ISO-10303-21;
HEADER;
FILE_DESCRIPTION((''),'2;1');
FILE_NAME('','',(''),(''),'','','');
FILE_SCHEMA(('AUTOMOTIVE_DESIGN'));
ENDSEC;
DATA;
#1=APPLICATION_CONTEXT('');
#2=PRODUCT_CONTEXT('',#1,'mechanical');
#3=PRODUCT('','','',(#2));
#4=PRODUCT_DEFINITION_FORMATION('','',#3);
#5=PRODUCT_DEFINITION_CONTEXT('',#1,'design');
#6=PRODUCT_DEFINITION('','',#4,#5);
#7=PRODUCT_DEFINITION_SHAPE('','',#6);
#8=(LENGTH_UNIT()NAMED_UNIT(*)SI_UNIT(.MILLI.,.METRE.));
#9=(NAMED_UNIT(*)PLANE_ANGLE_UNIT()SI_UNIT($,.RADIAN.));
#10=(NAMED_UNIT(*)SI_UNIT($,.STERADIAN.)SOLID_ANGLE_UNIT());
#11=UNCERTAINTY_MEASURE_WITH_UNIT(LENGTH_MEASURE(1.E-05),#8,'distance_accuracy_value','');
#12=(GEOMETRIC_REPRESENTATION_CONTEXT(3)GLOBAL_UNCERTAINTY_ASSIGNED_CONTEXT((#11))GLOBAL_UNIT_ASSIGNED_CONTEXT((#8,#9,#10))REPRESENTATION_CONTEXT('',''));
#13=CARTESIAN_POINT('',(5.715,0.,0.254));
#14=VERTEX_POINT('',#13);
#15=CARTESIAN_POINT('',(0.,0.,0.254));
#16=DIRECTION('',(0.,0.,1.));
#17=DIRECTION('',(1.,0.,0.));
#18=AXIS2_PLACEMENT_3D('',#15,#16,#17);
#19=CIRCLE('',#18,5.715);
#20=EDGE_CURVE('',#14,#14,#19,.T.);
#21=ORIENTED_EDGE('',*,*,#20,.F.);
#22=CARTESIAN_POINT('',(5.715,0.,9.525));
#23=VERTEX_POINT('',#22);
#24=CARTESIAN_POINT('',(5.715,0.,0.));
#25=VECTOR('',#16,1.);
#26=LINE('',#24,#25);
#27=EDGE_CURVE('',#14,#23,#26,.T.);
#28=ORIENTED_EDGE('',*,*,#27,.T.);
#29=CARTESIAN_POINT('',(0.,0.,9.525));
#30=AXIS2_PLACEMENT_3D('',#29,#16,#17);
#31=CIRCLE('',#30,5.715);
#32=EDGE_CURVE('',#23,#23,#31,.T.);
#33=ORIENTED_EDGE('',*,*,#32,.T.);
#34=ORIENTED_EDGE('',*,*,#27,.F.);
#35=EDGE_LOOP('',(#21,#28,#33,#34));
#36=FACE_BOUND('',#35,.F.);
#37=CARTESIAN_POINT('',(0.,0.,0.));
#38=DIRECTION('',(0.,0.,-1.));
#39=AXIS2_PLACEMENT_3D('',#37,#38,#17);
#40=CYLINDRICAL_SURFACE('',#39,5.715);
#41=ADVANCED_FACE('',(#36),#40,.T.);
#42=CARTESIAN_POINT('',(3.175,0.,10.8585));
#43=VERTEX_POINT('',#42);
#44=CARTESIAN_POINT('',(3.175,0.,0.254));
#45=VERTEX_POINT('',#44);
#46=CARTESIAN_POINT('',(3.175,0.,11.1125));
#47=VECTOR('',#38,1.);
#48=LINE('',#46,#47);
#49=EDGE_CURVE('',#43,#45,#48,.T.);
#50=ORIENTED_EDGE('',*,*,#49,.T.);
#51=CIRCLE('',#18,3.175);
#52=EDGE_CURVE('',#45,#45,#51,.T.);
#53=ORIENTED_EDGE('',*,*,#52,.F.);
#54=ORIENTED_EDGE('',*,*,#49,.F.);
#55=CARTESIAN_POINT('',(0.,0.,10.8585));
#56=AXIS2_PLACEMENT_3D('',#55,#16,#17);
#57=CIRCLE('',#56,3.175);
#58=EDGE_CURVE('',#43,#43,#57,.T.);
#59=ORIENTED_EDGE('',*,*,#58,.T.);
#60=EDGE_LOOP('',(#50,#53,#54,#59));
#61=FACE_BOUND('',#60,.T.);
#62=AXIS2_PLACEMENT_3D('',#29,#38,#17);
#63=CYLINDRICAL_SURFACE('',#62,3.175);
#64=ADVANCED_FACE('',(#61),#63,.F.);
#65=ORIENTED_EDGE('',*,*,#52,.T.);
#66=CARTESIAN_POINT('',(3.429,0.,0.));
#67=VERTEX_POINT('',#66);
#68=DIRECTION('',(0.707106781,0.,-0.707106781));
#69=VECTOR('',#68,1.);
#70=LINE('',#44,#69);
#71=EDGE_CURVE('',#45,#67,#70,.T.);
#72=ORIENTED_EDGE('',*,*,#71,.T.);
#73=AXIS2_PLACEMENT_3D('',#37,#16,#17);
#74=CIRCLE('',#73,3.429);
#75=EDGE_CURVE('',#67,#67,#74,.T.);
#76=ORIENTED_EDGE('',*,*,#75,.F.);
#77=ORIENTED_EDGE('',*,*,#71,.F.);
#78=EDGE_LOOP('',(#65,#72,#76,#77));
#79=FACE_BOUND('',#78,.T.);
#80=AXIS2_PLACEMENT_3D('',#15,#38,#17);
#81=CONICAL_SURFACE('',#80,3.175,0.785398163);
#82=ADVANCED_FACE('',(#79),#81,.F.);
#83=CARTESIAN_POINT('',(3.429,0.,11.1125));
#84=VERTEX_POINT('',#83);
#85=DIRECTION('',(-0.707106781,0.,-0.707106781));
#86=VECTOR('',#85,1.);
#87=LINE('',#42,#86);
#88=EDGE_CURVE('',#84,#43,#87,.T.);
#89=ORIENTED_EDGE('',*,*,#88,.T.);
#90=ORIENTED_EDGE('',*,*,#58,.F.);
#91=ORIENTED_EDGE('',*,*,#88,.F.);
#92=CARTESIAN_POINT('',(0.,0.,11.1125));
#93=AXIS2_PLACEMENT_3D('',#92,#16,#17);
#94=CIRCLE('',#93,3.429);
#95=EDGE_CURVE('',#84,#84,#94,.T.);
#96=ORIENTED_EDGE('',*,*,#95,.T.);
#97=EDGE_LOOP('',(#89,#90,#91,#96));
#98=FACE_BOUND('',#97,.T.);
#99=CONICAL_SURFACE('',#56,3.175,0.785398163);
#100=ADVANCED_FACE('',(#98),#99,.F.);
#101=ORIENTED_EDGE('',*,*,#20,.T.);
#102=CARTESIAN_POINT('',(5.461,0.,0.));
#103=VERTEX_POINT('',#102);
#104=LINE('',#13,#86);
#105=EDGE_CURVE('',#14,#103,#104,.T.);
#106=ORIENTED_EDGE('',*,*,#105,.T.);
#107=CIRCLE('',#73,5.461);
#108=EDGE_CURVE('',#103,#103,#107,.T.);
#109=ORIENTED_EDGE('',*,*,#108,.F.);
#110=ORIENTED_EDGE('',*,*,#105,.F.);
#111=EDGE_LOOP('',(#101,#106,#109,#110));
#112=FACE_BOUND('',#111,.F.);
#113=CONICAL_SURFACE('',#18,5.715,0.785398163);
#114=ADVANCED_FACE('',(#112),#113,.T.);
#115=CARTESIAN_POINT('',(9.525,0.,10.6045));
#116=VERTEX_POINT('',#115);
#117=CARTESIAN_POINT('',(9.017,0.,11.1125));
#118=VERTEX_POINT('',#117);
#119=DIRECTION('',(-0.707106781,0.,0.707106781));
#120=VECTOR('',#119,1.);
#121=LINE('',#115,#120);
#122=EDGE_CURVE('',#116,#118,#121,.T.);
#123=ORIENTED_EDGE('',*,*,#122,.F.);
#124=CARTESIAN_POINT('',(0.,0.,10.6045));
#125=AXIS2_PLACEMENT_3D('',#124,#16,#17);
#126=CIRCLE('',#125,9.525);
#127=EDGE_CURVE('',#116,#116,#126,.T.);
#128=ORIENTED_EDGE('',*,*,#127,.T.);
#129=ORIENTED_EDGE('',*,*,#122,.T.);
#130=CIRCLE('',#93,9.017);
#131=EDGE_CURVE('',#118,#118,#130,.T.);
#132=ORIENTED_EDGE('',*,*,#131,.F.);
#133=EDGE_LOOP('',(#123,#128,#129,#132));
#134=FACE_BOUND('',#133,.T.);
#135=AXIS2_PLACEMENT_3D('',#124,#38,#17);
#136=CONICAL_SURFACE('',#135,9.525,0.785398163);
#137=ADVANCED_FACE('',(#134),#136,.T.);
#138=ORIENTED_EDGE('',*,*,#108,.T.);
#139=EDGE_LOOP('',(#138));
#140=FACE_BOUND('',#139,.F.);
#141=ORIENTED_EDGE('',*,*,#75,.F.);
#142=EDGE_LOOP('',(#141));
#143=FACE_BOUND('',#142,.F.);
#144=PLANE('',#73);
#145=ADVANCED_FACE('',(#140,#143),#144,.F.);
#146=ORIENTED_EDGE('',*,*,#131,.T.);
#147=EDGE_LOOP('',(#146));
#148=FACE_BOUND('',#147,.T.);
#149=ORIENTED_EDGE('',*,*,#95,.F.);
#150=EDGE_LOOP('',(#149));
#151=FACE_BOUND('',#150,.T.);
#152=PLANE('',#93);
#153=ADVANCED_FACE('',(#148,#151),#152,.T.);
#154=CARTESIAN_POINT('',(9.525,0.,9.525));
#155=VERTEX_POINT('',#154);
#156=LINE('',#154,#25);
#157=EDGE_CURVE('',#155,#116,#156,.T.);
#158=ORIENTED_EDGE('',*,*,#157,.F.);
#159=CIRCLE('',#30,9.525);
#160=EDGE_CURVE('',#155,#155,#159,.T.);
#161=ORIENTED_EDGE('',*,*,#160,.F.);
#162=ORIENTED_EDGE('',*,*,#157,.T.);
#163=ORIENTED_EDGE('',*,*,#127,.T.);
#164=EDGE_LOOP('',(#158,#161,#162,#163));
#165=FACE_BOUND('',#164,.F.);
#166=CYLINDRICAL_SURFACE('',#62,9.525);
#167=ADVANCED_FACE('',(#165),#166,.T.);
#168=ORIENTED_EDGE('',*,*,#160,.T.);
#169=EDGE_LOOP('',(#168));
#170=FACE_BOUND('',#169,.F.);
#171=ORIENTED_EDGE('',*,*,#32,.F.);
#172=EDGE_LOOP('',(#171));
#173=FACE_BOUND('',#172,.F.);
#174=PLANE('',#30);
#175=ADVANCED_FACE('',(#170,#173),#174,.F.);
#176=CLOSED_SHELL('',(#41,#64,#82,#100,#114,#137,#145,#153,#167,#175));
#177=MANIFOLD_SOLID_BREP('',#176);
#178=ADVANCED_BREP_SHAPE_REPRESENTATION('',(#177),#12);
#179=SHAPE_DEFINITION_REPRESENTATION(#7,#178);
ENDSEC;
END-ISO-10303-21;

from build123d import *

# Parameters (mm, degrees)
F0_R     = 5.715
F0_R_2   = 3.175
F1_DEPTH = 9.525
F2_R     = 9.525
F2_R_2   = 5.715
F2_R_3   = 3.175
F3_DEPTH = 1.5875
F4_SIZE  = 0.508
F5_SIZE  = 0.254


with BuildPart() as f1:
    # F0 (on Top) → F1 (new body)
    with BuildSketch(Plane.XY):
        Circle(F0_R)
        Circle(F0_R_2, mode=Mode.SUBTRACT)
    extrude(amount=F1_DEPTH)

    # F2 (on face) → F3 (join)
    with BuildSketch(Plane.XY.offset(9.525)):
        Circle(F2_R)
        Circle(F2_R_2, mode=Mode.SUBTRACT)
        Circle(F2_R_2)
        Circle(F2_R_3, mode=Mode.SUBTRACT)
    extrude(amount=F3_DEPTH)

    # F4
    f4_edges = [f1.edges().sort_by_distance(p)[0] for p in [
        (-9.525, 0, 11.1125),
    ]]
    chamfer(f4_edges, length=F4_SIZE)

    # F5
    f5_edges = [f1.edges().sort_by_distance(p)[0] for p in [
        (-3.175, 0, 11.1125),
        (-5.715, 0, 0),
        (-3.175, 0, 0),
    ]]
    chamfer(f5_edges, length=F5_SIZE)


solid = f1.part
